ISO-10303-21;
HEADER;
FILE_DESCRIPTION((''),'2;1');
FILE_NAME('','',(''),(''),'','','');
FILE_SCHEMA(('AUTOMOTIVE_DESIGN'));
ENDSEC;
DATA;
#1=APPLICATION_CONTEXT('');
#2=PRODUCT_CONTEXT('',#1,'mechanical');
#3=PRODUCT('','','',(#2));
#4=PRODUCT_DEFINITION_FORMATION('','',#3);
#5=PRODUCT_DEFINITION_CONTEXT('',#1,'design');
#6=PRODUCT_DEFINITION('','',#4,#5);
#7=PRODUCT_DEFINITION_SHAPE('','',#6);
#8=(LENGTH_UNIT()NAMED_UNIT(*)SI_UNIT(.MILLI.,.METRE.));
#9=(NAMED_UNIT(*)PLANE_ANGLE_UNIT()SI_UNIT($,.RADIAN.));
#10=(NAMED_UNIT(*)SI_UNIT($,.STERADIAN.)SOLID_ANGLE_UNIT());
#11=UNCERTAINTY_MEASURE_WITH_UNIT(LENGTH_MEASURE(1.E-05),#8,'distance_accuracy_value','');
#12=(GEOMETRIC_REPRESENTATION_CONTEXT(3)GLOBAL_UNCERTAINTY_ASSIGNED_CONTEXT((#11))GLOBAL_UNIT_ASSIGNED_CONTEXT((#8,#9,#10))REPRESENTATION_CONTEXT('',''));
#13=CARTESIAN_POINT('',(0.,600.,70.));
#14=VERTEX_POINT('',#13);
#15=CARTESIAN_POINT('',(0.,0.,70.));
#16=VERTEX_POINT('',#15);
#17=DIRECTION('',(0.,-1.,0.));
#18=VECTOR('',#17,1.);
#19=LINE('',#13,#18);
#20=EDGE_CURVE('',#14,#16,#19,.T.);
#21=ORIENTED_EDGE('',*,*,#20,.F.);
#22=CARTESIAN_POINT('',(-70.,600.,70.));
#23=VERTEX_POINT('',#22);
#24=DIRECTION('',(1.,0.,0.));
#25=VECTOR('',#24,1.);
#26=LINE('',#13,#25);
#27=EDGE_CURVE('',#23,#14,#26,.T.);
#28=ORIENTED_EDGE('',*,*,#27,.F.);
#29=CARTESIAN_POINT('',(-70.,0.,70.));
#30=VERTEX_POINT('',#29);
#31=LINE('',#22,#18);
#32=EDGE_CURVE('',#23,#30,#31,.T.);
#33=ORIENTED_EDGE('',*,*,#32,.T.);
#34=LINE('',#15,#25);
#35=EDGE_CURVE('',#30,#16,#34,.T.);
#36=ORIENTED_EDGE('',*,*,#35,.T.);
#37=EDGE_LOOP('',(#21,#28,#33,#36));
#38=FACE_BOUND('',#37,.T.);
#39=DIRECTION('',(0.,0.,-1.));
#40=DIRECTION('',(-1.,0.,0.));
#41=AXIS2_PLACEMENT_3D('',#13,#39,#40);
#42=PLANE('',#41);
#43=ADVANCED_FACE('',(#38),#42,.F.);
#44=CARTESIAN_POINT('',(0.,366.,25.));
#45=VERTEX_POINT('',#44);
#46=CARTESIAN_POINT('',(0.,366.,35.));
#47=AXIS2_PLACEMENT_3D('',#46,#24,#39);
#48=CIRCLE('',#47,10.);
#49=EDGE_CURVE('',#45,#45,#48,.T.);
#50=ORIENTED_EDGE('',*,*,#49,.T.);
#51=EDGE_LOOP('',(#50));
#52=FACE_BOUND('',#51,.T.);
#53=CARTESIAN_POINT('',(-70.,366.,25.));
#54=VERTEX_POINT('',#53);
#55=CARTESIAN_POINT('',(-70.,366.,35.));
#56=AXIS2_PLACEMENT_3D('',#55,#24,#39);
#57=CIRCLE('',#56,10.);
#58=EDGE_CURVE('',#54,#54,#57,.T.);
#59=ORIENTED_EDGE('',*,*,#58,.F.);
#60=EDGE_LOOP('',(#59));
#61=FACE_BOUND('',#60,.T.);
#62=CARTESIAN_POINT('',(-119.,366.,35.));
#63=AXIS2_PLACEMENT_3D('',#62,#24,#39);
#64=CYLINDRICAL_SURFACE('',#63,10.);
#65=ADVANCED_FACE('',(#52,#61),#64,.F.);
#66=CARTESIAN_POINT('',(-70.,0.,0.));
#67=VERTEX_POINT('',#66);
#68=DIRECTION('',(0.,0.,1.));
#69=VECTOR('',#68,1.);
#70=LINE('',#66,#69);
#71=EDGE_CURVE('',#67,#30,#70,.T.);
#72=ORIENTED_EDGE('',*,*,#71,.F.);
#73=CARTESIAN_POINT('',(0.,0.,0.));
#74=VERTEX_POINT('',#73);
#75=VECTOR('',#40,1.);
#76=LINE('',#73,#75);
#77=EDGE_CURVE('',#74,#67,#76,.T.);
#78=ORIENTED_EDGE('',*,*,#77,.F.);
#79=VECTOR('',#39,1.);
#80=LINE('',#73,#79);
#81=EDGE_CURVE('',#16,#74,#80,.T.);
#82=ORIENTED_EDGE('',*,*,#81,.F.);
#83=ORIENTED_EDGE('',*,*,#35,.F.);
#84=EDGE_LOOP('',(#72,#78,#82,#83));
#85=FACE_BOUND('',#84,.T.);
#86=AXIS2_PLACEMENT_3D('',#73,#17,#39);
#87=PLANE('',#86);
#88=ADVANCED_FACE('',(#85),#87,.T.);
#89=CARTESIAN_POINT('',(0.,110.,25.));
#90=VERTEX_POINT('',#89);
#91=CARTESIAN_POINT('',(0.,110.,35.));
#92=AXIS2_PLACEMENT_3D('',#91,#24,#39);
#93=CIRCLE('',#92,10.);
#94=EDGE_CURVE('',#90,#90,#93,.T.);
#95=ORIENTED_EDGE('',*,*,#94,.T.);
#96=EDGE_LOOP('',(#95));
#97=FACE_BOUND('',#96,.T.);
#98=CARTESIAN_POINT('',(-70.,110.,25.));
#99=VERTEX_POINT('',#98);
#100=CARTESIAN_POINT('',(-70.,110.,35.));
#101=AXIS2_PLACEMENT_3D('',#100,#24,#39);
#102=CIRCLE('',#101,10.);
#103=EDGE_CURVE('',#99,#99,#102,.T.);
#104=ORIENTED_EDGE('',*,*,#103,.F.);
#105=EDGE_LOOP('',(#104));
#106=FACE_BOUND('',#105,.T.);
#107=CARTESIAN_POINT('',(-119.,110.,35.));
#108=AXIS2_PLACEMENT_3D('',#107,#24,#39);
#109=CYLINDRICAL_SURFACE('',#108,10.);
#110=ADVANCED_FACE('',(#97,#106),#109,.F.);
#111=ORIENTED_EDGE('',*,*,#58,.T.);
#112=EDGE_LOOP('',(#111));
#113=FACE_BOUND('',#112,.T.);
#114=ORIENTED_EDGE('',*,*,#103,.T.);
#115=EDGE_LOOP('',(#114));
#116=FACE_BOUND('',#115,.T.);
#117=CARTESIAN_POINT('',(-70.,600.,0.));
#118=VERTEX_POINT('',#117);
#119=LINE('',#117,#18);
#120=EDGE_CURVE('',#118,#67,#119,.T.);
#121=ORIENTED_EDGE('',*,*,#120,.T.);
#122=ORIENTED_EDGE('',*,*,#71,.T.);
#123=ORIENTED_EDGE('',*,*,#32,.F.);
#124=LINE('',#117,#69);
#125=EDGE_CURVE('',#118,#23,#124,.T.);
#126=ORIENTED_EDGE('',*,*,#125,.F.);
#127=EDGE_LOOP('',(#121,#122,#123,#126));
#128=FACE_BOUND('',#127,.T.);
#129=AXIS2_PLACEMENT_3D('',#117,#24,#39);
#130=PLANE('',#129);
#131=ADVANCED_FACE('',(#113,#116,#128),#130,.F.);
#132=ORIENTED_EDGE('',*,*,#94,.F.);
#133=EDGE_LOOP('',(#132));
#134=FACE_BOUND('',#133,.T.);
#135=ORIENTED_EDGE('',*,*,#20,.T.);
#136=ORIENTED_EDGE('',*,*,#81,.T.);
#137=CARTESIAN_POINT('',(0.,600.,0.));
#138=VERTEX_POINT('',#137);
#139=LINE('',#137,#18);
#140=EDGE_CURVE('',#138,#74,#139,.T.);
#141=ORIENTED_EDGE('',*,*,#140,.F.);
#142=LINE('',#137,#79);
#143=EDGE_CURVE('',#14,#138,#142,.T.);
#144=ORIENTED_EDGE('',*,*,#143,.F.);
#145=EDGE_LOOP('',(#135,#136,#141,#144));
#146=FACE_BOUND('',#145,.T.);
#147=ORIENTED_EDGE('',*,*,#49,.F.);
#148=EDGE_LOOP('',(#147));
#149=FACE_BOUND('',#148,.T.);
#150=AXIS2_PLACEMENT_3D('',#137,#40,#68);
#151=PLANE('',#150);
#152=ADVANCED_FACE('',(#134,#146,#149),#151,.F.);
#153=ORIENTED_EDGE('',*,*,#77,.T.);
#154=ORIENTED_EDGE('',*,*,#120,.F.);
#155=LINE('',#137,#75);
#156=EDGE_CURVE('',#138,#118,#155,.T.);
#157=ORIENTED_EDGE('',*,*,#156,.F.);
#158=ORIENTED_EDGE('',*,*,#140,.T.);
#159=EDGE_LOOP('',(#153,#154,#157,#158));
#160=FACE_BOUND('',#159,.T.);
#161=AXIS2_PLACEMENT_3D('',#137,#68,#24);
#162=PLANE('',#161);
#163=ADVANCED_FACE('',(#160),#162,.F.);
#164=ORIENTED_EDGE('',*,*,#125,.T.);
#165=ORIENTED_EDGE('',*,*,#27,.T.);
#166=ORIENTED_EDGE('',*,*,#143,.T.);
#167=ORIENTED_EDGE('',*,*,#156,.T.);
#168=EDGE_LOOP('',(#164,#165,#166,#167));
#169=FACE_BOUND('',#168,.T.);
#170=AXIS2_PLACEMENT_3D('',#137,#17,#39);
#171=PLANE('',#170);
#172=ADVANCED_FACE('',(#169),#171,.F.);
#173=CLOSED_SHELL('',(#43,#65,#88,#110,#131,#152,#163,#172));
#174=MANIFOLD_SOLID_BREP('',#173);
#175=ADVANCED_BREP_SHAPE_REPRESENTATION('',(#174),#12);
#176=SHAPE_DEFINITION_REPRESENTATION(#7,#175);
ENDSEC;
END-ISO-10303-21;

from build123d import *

# Parameters (mm, degrees)
SKETCH1_W           = 70
SKETCH1_H           = 70
BOSS_EXTRUDE1_DEPTH = 600
SKETCH2_R           = 10
CUT_EXTRUDE1_DEPTH  = 119


with BuildPart() as part:
    # Sketch1 → Boss-Extrude1 (new body)
    with BuildSketch(Plane(origin=(0, 0, 0), x_dir=(1, 0, 0), z_dir=(0, 1, 0))):
        with Locations((-35, -35)):
            Rectangle(SKETCH1_W, SKETCH1_H)
    extrude(amount=BOSS_EXTRUDE1_DEPTH)

    # Sketch2 → Cut-Extrude1 (cut)
    with BuildSketch(Plane(origin=(0, 0, 0), x_dir=(0, 0, -1), z_dir=(1, 0, 0))):
        with Locations((-35, 110)):
            Circle(SKETCH2_R)
        with Locations((-35, 366)):
            Circle(SKETCH2_R)
    extrude(amount=-CUT_EXTRUDE1_DEPTH, mode=Mode.SUBTRACT)


solid = part.part
